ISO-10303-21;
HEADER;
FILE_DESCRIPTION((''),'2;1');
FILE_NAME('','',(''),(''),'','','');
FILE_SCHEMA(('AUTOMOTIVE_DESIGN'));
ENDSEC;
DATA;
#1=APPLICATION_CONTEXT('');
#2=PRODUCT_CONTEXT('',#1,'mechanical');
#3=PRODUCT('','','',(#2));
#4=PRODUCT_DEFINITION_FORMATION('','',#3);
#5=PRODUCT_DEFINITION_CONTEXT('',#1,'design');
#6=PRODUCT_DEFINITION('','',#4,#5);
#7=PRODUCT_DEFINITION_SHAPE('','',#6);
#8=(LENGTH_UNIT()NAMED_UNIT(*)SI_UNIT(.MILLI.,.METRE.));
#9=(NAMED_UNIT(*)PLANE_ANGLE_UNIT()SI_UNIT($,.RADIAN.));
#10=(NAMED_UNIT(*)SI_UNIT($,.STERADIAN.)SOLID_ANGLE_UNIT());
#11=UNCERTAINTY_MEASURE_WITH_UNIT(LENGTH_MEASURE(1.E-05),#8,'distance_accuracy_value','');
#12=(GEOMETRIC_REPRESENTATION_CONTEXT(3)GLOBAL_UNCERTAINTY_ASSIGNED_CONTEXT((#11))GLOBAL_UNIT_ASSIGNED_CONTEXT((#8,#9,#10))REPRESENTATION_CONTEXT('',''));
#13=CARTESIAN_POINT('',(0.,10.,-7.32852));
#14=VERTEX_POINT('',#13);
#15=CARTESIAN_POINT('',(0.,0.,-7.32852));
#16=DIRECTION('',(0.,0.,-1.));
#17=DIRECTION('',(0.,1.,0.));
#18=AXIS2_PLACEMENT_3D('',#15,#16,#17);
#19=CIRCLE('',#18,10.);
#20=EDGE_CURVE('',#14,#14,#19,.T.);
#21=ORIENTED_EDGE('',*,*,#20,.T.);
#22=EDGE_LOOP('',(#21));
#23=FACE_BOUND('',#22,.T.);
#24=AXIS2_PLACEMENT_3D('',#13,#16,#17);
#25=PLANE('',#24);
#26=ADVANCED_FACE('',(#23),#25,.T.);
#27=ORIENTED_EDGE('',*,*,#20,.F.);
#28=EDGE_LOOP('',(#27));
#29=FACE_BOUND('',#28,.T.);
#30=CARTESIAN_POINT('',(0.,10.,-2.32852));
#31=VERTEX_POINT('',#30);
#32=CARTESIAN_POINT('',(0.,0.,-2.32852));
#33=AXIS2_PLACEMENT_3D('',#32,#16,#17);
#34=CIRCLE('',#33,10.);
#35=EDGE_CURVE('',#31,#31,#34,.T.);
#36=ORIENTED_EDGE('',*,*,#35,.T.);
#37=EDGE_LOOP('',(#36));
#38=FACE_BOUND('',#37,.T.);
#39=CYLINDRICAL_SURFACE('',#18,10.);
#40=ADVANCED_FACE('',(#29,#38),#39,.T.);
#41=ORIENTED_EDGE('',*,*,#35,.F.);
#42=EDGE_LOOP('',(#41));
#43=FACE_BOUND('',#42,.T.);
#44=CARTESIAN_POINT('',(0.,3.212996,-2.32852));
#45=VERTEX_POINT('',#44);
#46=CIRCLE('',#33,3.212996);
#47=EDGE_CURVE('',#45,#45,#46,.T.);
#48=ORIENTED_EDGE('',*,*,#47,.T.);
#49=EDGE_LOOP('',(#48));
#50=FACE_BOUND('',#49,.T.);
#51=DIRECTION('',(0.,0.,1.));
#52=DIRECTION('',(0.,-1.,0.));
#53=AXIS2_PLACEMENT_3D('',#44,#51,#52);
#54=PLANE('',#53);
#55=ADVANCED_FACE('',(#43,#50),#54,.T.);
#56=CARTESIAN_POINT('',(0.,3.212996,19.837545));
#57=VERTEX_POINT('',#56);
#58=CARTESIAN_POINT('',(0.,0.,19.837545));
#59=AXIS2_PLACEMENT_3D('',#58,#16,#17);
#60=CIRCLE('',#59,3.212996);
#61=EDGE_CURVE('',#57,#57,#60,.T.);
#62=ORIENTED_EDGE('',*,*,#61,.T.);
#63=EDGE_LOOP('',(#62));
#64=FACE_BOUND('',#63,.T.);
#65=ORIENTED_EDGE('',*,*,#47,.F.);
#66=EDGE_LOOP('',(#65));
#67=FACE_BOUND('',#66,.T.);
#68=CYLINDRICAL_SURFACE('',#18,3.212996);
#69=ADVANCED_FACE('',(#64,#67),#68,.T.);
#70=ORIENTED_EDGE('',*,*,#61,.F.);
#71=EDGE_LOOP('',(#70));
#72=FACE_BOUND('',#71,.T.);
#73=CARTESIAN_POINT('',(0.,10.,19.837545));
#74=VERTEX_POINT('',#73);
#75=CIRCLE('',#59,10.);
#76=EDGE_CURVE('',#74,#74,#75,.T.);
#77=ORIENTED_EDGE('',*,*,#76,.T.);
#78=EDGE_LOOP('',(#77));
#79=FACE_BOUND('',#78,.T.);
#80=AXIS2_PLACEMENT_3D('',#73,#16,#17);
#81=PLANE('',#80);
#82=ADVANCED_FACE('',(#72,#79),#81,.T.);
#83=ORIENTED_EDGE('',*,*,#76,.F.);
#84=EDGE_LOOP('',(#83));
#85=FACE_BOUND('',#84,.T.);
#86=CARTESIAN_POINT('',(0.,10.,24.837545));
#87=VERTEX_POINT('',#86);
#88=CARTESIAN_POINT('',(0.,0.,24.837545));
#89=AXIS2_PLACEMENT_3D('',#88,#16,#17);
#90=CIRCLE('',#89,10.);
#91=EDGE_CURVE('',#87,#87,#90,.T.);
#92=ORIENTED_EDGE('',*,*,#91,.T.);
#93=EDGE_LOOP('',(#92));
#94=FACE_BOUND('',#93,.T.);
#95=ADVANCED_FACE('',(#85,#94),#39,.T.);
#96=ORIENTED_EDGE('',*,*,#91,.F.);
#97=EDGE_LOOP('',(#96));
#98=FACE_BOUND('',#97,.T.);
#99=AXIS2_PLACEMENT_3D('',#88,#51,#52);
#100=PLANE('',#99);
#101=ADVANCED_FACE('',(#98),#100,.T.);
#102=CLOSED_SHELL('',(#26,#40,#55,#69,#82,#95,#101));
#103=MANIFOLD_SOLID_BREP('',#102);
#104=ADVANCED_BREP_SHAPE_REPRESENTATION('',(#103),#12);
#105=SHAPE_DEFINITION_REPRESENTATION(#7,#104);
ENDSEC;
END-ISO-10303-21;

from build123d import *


with BuildPart() as part:
    # Sketch2 → Revolve1 (revolve)
    with BuildSketch(Plane(origin=(0, 0, 0), x_dir=(0, 0, -1), z_dir=(1, 0, 0))):
        Polygon((7.328519856, 0), (-24.837545126, 0), (-24.837545126, 10), (-19.837545126, 10), (-19.837545126, 3.21299639), (2.328519856, 3.21299639), (2.328519856, 10), (7.328519856, 10), align=None)
    revolve(axis=Axis((0, 0, -7.328519856), (0, 0, 1)))


solid = part.part
